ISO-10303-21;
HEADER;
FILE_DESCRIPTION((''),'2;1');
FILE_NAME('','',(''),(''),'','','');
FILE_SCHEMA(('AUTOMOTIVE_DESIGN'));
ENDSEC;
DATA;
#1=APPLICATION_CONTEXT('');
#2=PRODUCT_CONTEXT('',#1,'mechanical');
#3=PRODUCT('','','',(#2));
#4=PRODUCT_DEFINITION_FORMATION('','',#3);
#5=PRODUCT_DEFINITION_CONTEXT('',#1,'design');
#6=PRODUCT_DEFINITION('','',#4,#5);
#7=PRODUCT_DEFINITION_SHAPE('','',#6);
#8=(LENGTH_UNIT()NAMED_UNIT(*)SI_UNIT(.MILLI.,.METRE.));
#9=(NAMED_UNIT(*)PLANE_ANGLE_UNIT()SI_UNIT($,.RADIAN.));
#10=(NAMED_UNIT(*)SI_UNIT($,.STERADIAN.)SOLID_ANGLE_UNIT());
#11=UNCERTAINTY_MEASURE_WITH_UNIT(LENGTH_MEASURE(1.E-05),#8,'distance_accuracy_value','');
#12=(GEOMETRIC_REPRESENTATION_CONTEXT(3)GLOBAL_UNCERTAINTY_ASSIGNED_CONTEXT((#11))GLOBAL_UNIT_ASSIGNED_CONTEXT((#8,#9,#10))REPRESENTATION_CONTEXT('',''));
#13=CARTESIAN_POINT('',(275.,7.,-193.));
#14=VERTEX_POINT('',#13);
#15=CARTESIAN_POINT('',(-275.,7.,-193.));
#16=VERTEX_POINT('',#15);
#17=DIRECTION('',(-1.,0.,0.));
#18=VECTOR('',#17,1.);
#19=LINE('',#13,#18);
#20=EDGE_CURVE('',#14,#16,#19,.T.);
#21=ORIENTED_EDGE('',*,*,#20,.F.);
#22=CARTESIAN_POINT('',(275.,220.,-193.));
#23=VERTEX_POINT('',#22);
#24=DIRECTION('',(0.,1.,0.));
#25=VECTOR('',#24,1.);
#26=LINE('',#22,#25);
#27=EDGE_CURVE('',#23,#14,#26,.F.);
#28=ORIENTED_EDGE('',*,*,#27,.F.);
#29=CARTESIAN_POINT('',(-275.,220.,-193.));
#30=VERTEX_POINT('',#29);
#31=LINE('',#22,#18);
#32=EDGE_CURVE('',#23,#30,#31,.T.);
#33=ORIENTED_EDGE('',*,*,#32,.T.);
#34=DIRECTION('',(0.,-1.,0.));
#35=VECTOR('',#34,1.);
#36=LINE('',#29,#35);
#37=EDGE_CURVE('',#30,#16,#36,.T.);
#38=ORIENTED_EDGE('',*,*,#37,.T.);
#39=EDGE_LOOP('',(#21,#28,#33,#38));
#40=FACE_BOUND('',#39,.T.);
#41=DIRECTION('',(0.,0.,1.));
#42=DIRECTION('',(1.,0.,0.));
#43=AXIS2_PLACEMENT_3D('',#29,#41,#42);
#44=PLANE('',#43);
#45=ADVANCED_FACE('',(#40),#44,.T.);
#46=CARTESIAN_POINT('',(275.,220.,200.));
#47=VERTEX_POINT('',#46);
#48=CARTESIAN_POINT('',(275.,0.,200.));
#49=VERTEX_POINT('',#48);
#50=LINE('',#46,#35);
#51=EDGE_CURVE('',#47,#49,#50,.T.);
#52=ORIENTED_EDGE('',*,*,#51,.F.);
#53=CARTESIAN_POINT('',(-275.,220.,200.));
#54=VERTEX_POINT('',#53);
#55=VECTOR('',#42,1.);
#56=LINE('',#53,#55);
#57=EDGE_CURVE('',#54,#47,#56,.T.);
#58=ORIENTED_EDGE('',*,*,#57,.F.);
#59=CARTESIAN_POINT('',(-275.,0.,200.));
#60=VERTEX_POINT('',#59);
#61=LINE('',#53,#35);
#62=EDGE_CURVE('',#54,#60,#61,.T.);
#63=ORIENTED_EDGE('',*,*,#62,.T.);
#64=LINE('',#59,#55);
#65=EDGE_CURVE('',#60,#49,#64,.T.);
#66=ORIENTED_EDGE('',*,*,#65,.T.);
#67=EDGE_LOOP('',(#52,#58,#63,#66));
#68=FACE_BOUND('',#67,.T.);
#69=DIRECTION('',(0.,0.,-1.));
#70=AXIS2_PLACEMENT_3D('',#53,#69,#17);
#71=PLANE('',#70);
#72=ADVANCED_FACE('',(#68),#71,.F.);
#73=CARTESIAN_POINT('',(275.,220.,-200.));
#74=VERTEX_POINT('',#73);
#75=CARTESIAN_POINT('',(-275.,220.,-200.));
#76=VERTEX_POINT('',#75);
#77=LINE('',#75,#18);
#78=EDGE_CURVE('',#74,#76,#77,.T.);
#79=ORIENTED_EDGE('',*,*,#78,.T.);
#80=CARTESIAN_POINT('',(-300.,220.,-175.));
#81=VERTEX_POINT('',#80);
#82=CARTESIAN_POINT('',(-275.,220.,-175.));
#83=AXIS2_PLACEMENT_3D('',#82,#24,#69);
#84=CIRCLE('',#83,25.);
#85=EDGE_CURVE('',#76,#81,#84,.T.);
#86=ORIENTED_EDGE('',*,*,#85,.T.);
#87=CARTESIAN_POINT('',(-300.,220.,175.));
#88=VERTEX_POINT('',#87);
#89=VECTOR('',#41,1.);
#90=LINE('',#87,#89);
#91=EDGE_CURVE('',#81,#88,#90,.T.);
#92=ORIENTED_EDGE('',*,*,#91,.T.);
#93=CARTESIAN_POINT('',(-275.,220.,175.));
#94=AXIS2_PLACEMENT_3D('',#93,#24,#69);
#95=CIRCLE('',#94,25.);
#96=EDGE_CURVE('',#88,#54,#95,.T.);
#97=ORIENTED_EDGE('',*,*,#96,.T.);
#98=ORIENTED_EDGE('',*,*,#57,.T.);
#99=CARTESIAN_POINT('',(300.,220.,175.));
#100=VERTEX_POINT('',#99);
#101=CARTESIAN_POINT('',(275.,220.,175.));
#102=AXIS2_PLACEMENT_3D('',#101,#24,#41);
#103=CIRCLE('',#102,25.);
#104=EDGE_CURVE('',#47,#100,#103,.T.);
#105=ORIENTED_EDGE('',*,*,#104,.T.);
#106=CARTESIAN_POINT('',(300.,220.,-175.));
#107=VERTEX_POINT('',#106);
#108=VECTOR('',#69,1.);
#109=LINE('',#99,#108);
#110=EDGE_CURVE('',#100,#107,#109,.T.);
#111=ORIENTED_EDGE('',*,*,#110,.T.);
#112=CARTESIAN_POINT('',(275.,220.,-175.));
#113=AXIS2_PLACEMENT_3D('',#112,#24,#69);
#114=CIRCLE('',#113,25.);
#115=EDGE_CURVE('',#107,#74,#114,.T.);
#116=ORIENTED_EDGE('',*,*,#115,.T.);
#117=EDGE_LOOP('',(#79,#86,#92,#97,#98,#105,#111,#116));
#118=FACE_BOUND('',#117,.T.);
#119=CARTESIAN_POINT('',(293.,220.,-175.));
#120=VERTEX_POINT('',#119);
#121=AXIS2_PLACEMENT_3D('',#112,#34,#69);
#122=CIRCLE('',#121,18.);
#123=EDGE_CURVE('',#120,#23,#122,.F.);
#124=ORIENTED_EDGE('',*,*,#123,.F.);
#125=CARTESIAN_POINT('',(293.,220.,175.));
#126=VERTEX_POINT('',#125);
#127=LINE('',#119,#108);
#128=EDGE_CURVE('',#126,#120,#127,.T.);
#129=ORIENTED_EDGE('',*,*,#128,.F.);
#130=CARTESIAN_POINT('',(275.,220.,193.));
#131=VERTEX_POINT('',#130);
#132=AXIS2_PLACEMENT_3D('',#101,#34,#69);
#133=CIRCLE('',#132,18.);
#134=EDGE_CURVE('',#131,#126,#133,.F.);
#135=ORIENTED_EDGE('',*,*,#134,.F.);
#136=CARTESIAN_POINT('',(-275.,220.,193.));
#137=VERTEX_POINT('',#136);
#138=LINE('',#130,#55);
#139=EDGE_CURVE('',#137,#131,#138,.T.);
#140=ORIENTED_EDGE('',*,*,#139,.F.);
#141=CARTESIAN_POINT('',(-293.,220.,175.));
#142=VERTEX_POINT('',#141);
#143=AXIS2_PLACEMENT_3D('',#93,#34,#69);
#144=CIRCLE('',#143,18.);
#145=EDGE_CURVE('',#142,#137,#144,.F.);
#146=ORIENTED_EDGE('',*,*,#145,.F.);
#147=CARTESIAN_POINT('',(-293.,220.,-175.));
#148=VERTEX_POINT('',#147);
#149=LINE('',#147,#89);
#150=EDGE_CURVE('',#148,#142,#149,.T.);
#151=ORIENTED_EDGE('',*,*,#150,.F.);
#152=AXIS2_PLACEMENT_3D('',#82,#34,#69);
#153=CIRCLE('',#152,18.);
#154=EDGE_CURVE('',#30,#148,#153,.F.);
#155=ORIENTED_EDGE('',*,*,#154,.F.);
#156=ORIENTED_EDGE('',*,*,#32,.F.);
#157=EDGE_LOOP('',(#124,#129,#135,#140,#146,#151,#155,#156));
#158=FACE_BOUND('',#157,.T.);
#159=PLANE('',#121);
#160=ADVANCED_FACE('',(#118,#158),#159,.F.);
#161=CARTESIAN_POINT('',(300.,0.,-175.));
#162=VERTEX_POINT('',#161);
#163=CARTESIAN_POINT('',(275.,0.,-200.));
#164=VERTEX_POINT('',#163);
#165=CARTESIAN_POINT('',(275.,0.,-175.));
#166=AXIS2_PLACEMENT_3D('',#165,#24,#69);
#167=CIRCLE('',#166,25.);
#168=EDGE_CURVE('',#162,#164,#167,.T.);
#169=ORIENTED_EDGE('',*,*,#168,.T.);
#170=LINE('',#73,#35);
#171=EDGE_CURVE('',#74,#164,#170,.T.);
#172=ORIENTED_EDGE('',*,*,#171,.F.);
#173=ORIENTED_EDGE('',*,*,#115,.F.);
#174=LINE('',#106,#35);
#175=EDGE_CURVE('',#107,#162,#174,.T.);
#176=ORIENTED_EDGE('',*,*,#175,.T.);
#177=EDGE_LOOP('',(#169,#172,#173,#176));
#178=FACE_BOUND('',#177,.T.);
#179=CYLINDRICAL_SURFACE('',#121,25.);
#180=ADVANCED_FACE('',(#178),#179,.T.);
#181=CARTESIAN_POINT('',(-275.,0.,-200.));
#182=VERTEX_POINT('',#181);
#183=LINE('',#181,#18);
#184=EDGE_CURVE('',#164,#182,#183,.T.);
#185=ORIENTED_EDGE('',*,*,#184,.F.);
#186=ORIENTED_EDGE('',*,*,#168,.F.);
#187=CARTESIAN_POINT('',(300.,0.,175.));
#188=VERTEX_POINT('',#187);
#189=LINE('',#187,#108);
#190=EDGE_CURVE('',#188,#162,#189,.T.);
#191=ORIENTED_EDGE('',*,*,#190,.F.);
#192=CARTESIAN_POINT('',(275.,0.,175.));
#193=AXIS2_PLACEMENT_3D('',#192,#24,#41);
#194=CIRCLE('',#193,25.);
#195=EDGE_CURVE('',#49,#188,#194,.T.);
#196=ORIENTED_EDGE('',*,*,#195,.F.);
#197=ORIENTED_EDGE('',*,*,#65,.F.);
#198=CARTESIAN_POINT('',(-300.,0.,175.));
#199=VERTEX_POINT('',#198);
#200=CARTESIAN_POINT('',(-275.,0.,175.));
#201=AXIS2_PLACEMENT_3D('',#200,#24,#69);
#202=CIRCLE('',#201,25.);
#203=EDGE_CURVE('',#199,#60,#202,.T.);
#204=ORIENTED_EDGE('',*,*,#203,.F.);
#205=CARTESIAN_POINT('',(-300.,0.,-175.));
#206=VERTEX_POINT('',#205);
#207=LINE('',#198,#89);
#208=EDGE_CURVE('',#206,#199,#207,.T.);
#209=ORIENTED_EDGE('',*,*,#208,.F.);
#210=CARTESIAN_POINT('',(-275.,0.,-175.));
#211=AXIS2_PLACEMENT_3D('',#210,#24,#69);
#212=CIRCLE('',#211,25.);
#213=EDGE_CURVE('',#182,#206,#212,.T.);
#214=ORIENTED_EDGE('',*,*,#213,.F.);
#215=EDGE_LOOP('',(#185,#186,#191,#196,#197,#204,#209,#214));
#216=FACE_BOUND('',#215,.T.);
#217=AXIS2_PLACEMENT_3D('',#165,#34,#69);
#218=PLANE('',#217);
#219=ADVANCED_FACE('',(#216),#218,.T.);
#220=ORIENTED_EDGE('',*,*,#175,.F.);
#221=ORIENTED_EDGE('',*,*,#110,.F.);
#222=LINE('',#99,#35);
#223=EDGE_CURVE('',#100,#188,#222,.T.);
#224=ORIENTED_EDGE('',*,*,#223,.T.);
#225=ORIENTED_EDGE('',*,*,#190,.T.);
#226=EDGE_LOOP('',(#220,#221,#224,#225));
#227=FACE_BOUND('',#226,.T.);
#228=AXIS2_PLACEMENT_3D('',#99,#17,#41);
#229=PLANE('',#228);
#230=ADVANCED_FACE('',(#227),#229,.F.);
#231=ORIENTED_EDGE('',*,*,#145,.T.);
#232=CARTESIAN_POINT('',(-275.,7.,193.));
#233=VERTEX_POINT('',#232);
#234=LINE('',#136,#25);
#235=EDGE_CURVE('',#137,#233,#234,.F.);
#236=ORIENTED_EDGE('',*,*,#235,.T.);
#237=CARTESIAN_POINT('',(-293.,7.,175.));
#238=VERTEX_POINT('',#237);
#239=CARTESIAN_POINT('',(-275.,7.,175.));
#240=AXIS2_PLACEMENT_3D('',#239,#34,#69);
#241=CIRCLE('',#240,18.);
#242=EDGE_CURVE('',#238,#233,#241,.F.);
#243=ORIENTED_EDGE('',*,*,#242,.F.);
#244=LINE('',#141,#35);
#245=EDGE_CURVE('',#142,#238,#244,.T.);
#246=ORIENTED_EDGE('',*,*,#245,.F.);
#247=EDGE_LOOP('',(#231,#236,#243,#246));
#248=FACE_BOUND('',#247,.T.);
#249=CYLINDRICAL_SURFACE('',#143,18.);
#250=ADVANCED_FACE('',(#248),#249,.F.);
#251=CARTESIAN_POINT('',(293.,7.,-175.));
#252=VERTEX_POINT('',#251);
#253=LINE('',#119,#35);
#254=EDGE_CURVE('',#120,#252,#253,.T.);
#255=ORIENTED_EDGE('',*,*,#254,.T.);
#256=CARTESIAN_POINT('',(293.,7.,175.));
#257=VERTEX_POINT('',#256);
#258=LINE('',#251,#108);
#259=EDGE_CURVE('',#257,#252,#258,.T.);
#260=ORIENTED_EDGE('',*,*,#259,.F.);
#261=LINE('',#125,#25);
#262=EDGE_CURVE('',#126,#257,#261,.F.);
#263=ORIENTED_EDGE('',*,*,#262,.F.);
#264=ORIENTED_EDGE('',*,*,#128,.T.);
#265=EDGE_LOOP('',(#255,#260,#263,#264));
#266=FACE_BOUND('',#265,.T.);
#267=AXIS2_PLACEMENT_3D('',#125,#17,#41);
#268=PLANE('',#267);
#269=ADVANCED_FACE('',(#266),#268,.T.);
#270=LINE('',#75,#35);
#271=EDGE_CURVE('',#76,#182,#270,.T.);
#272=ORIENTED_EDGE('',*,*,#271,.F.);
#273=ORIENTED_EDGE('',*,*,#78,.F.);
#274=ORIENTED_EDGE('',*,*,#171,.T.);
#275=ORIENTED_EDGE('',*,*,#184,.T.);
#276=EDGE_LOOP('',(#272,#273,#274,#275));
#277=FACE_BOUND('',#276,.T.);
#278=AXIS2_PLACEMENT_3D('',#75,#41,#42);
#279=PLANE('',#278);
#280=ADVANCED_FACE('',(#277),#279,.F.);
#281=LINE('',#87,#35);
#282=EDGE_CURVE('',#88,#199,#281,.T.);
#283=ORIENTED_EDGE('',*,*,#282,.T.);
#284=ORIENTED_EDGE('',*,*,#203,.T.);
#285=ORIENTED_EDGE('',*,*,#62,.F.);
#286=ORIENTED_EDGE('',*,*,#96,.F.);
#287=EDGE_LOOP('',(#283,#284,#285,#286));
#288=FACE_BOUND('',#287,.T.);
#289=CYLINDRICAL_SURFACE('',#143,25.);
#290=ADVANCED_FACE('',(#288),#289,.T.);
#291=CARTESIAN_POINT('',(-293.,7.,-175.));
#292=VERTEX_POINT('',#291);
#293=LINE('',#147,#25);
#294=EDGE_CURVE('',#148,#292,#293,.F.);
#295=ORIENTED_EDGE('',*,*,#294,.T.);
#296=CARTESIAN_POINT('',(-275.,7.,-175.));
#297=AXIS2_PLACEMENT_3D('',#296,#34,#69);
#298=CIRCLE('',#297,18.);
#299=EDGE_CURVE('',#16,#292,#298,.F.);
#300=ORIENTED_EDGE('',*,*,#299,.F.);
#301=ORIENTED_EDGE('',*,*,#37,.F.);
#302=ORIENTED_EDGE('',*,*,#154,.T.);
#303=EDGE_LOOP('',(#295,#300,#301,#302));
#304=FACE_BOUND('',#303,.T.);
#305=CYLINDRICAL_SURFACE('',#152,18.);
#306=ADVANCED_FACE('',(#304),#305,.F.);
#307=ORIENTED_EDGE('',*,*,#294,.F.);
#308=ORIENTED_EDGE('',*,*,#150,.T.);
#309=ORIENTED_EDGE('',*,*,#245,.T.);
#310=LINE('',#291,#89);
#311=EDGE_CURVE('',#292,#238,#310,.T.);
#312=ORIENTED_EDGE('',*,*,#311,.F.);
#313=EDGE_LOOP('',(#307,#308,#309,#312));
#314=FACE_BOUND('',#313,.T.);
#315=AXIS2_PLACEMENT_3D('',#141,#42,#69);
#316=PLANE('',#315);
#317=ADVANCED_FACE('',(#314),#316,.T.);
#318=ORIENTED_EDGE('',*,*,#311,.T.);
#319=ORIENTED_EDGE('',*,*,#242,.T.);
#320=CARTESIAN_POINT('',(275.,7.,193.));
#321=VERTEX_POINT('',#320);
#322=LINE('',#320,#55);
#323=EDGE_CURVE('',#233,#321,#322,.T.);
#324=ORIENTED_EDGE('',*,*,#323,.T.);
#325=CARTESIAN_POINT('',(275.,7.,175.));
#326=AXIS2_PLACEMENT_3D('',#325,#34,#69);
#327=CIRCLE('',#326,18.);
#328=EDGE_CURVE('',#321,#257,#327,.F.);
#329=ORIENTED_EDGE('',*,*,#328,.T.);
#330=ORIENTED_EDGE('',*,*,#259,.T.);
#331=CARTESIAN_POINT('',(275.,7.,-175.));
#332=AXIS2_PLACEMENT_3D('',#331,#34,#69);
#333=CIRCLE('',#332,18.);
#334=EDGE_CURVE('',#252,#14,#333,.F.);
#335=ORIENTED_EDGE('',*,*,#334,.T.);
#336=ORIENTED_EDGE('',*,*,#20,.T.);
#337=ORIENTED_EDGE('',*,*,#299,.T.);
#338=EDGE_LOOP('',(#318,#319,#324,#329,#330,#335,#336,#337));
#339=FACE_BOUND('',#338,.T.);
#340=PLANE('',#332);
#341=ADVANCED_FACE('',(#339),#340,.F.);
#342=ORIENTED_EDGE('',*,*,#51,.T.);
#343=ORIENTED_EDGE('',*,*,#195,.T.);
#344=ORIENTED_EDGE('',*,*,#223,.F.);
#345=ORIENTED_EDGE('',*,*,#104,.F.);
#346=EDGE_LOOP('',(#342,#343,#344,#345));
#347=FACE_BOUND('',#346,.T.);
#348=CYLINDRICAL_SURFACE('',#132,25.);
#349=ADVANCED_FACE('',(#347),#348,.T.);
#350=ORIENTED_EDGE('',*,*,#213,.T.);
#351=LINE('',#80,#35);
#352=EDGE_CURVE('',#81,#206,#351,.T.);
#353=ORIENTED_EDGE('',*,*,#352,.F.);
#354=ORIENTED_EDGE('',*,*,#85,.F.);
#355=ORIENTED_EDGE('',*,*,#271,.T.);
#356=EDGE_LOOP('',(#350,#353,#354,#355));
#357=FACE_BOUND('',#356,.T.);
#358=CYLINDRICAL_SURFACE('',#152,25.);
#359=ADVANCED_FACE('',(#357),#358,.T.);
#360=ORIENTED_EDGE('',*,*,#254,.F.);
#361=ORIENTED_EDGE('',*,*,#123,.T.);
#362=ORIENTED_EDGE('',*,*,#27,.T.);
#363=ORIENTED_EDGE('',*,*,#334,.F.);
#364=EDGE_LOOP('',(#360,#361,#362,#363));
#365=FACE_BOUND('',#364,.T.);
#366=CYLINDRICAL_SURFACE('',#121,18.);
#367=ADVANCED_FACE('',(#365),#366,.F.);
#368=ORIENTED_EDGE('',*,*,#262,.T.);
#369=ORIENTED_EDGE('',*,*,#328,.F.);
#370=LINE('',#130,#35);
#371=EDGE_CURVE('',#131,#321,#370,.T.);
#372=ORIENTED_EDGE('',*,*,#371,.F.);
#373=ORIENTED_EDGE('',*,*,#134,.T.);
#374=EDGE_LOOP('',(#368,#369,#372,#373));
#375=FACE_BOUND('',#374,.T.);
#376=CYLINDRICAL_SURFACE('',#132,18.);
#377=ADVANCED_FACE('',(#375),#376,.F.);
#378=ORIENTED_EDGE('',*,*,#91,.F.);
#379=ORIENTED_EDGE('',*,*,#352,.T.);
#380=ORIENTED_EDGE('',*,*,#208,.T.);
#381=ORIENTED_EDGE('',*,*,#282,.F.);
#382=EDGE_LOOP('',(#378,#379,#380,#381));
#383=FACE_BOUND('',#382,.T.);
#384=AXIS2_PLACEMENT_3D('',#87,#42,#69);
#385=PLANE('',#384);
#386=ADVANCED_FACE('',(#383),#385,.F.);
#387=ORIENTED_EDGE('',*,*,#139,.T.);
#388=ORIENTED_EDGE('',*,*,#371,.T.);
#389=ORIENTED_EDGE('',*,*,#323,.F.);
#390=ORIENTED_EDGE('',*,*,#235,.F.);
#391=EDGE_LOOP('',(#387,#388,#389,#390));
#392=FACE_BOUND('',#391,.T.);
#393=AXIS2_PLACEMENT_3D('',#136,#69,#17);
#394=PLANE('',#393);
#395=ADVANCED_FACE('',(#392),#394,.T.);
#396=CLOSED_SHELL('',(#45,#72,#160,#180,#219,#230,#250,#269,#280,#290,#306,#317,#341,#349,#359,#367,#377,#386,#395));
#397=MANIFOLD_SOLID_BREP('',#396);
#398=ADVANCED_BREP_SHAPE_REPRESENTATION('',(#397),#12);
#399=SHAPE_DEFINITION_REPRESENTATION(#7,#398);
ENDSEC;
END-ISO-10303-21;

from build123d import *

# Parameters (mm, degrees)
BOSS_EXTRUDE1_DEPTH = 220
SHELL1_T            = -7


with BuildPart() as part:
    # Sketch1 → Boss-Extrude1 (new body)
    with BuildSketch(Plane(origin=(0, 0, 0), x_dir=(1, 0, 0), z_dir=(0, 1, 0))):
        with BuildLine():
            Line((-275, -200), (275, -200))
            ThreePointArc((275, -200), (292.67766953, -192.67766953), (300, -175))
            Line((300, -175), (300, 175))
            ThreePointArc((300, 175), (292.67766953, 192.67766953), (275, 200))
            Line((275, 200), (-275, 200))
            ThreePointArc((-275, 200), (-292.67766953, 192.67766953), (-300, 175))
            Line((-300, 175), (-300, -175))
            ThreePointArc((-300, -175), (-292.67766953, -192.67766953), (-275, -200))
        make_face()
    extrude(amount=BOSS_EXTRUDE1_DEPTH)

    # Shell1
    shell1_openings = [part.faces().sort_by_distance(p)[0] for p in [
        (0, 220, 0),
    ]]
    offset(amount=SHELL1_T, openings=shell1_openings, kind=Kind.INTERSECTION)


solid = part.part
